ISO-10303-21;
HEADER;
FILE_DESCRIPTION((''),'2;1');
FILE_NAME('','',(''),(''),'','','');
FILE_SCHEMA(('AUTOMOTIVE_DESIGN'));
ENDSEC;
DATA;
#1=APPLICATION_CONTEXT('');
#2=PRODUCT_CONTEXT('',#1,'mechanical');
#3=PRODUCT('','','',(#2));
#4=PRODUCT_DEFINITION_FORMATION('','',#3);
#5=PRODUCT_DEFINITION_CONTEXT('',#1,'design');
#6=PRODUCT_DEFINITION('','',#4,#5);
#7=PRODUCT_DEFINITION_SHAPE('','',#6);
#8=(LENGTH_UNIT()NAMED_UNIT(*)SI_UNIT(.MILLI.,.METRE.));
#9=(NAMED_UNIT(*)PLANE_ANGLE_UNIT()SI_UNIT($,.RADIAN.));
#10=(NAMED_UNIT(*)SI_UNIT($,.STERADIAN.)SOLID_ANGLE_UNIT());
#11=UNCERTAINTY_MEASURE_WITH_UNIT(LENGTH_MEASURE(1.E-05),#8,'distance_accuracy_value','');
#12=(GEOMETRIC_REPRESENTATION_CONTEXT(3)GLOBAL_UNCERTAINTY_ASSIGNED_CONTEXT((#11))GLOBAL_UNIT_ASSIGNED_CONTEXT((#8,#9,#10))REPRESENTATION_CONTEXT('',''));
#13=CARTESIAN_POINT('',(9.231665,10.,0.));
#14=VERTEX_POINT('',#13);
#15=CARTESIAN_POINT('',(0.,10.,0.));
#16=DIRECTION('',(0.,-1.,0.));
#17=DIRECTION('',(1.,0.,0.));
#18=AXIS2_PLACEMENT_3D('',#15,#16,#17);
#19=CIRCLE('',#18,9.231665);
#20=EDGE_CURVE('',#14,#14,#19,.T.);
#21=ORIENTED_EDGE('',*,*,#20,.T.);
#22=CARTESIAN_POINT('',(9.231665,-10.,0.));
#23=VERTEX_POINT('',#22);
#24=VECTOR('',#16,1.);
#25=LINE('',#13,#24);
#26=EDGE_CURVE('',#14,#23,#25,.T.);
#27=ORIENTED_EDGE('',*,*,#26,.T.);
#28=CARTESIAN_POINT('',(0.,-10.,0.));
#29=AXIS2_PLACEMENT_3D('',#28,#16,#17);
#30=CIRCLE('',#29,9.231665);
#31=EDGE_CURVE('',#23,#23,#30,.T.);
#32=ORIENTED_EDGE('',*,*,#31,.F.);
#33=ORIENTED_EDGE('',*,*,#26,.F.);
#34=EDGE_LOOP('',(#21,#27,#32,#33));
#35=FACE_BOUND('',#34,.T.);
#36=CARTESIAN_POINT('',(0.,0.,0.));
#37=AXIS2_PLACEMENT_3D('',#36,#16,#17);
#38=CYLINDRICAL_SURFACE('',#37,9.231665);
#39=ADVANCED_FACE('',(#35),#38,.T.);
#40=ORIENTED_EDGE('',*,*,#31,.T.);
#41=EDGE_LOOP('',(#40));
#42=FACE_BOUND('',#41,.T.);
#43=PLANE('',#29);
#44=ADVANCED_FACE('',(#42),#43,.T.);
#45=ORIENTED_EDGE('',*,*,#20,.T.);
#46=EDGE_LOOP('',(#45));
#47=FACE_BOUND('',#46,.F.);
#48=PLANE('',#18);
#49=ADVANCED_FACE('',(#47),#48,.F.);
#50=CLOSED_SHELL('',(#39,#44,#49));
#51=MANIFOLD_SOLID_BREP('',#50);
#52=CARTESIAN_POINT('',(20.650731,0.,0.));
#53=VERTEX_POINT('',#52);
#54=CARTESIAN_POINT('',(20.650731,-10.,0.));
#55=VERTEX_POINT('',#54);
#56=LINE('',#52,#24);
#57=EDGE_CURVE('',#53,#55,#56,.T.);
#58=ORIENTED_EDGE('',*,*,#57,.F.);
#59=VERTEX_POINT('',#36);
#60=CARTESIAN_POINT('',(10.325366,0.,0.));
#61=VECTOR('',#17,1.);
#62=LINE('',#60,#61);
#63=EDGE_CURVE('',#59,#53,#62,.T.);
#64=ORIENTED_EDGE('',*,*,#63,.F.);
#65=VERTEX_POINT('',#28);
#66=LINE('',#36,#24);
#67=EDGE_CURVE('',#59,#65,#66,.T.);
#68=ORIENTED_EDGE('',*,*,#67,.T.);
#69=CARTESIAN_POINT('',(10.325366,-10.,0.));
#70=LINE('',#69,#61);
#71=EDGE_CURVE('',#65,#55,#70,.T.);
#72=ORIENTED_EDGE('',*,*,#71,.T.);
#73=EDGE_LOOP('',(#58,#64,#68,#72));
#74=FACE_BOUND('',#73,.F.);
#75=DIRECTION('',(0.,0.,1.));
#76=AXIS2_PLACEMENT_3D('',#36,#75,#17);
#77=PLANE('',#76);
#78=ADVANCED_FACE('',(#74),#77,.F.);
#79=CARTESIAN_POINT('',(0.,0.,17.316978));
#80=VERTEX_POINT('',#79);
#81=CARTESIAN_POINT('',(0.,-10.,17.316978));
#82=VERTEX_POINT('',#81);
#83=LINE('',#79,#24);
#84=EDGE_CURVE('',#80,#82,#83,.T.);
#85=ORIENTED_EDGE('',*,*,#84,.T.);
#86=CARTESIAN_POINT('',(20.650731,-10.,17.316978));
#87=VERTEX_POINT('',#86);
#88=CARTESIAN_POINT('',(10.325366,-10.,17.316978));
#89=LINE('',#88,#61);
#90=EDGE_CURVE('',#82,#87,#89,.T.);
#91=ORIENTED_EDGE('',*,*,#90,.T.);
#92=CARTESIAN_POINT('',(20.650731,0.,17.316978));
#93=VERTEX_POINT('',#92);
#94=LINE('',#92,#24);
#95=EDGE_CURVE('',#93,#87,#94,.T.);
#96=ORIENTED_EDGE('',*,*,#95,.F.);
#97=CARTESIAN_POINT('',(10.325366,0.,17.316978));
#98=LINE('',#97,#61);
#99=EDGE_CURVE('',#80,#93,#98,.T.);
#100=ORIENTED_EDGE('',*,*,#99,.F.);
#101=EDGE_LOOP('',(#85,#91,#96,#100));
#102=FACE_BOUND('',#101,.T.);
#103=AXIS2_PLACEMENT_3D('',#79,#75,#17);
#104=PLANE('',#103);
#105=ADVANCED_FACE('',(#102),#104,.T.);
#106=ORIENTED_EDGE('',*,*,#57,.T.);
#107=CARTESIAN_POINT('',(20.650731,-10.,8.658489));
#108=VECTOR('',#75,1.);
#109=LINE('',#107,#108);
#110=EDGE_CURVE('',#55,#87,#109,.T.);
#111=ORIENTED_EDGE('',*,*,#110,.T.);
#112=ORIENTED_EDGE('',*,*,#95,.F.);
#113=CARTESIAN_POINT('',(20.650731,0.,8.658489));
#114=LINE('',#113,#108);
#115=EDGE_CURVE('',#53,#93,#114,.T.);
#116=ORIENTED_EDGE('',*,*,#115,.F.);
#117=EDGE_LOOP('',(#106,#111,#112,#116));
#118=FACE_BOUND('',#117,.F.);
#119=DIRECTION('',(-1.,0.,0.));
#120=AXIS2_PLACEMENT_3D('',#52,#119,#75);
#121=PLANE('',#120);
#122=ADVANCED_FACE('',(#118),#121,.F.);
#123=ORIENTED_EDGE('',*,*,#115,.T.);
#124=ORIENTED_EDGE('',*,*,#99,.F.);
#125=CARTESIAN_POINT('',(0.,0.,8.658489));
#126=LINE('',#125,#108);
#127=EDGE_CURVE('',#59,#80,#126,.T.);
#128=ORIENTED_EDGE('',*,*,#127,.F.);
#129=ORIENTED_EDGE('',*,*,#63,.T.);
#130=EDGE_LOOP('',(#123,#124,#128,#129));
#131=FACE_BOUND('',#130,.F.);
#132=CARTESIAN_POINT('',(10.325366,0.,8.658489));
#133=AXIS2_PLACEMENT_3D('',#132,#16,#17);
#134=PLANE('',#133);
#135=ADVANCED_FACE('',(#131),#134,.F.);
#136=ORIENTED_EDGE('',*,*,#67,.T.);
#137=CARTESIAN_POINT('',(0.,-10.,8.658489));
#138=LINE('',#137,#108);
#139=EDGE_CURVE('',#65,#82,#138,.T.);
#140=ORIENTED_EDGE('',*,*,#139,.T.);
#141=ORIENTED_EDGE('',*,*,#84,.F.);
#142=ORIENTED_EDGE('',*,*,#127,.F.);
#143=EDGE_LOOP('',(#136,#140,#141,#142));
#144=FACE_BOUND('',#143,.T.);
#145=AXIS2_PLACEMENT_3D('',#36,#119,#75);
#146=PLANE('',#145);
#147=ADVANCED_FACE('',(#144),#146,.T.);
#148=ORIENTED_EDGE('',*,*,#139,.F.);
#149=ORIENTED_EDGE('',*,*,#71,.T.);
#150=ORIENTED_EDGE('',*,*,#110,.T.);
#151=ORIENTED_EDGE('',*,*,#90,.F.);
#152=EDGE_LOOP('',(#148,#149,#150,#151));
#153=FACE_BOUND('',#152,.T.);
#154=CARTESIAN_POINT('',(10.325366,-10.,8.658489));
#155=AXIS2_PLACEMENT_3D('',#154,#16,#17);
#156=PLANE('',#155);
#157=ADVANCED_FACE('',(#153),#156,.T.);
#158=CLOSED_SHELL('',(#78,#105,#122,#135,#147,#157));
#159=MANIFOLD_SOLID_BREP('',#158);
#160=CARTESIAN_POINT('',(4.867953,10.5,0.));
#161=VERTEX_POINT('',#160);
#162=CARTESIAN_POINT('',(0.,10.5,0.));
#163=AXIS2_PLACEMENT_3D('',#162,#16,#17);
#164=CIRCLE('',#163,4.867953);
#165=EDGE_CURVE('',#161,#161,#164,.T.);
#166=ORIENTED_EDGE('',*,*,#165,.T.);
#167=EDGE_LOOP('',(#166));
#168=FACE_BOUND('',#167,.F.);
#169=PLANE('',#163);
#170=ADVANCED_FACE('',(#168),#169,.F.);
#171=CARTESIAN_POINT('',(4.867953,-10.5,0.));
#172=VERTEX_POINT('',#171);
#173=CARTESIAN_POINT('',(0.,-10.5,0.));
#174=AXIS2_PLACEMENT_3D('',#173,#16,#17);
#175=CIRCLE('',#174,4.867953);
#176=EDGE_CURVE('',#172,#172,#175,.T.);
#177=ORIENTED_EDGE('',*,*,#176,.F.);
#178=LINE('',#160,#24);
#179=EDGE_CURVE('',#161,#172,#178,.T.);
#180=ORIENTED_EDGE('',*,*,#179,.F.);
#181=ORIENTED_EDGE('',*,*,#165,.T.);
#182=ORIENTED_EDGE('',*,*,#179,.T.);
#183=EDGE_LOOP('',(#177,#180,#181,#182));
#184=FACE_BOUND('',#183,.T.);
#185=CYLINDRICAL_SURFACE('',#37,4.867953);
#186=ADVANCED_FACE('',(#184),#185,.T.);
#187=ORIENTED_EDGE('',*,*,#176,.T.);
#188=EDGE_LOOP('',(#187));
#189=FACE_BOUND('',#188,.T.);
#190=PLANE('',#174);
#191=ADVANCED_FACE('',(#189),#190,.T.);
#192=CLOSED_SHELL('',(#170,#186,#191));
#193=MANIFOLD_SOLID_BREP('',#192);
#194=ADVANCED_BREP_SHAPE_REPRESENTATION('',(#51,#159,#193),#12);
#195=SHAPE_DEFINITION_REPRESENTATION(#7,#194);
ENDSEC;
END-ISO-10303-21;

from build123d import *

# Parameters (mm, degrees)
F0_R     = 9.2316648867
F1_DEPTH = 10
F2_R     = 4.8679534535
F3_DEPTH = 10.5
F4_W     = 20.6507313997
F4_H     = 17.3169784248
F5_DEPTH = 10


with BuildPart() as f1:
    # F0 (on Front) → F1 (new body, symmetric)
    with BuildSketch(Plane.XZ):
        Circle(F0_R)
    extrude(amount=F1_DEPTH, both=True)


with BuildPart() as f3:
    # F2 (on Front) → F3 (new body, symmetric)
    with BuildSketch(Plane.XZ):
        Circle(F2_R)
    extrude(amount=F3_DEPTH, both=True)


with BuildPart() as f5:
    # F4 (on Front) → F5 (new body)
    with BuildSketch(Plane.XZ):
        with Locations((10.3253656998, 8.6584892124)):
            Rectangle(F4_W, F4_H)
    extrude(amount=F5_DEPTH)


solid = Compound([f1.part, f3.part, f5.part])
